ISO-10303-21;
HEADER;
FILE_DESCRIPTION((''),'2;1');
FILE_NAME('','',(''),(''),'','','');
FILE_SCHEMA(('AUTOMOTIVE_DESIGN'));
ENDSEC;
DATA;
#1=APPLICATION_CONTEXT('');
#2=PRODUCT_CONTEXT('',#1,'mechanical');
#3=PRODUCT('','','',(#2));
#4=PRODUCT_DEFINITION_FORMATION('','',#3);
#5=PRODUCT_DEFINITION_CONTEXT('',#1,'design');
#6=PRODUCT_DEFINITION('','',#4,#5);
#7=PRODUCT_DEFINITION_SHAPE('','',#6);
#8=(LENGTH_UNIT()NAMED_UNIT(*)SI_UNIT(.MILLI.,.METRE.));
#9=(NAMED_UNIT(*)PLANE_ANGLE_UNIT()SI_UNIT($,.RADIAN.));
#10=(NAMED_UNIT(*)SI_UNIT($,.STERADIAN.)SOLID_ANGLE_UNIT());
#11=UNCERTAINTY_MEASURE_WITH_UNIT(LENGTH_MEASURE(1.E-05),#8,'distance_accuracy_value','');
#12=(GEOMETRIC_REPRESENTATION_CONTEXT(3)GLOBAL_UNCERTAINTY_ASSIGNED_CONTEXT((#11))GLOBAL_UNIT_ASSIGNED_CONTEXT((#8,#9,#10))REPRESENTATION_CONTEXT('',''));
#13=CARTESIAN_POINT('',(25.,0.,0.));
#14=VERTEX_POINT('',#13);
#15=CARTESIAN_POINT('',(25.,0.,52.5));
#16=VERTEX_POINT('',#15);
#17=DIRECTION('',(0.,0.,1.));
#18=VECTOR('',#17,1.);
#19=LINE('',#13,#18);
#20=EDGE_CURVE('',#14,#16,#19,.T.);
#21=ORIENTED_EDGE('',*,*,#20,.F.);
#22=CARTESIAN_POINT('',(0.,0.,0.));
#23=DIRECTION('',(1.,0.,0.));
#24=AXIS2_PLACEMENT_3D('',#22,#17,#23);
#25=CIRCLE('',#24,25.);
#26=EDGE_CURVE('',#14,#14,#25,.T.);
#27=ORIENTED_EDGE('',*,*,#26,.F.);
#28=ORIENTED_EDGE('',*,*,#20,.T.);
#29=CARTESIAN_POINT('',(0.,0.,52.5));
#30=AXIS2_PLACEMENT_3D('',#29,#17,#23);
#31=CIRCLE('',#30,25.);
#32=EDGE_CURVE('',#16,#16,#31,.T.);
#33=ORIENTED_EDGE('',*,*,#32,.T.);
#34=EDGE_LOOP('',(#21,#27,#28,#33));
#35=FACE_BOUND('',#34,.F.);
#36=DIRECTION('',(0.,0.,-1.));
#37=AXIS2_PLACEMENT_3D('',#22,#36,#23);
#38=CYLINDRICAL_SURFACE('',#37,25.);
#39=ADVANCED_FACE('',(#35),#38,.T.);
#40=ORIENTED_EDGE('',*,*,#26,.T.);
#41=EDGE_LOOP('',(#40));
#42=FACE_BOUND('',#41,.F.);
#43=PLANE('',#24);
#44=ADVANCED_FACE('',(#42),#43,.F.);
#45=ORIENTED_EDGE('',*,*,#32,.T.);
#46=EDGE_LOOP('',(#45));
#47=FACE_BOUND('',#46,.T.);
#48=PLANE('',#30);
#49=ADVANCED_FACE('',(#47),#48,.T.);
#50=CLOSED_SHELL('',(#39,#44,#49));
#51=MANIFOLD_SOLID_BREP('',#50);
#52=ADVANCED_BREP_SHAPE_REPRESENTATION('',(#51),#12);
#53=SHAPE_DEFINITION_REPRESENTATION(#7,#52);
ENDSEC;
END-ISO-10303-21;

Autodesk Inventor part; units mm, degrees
ref_plane "YZ Plane" through (0, 0, 0) normal (1, 0, 0) x (0, 1, 0)
ref_plane "XZ Plane" through (0, 0, 0) normal (0, 1, 0) x (-1, 0, 0)
ref_plane "XY Plane" through (0, 0, 0) normal (0, 0, 1) x (1, 0, 0)
sketch "Sketch1" plane through (0, 0, 0) normal (0, 0, 1) x (1, 0, 0)
  circle A0 centre (0, 0) radius 25
  dimension "d0" = 50
extrude "Extrusion1" add sketch "Sketch1" along normal blind 52.5
properties part number "wheeel_prep"
